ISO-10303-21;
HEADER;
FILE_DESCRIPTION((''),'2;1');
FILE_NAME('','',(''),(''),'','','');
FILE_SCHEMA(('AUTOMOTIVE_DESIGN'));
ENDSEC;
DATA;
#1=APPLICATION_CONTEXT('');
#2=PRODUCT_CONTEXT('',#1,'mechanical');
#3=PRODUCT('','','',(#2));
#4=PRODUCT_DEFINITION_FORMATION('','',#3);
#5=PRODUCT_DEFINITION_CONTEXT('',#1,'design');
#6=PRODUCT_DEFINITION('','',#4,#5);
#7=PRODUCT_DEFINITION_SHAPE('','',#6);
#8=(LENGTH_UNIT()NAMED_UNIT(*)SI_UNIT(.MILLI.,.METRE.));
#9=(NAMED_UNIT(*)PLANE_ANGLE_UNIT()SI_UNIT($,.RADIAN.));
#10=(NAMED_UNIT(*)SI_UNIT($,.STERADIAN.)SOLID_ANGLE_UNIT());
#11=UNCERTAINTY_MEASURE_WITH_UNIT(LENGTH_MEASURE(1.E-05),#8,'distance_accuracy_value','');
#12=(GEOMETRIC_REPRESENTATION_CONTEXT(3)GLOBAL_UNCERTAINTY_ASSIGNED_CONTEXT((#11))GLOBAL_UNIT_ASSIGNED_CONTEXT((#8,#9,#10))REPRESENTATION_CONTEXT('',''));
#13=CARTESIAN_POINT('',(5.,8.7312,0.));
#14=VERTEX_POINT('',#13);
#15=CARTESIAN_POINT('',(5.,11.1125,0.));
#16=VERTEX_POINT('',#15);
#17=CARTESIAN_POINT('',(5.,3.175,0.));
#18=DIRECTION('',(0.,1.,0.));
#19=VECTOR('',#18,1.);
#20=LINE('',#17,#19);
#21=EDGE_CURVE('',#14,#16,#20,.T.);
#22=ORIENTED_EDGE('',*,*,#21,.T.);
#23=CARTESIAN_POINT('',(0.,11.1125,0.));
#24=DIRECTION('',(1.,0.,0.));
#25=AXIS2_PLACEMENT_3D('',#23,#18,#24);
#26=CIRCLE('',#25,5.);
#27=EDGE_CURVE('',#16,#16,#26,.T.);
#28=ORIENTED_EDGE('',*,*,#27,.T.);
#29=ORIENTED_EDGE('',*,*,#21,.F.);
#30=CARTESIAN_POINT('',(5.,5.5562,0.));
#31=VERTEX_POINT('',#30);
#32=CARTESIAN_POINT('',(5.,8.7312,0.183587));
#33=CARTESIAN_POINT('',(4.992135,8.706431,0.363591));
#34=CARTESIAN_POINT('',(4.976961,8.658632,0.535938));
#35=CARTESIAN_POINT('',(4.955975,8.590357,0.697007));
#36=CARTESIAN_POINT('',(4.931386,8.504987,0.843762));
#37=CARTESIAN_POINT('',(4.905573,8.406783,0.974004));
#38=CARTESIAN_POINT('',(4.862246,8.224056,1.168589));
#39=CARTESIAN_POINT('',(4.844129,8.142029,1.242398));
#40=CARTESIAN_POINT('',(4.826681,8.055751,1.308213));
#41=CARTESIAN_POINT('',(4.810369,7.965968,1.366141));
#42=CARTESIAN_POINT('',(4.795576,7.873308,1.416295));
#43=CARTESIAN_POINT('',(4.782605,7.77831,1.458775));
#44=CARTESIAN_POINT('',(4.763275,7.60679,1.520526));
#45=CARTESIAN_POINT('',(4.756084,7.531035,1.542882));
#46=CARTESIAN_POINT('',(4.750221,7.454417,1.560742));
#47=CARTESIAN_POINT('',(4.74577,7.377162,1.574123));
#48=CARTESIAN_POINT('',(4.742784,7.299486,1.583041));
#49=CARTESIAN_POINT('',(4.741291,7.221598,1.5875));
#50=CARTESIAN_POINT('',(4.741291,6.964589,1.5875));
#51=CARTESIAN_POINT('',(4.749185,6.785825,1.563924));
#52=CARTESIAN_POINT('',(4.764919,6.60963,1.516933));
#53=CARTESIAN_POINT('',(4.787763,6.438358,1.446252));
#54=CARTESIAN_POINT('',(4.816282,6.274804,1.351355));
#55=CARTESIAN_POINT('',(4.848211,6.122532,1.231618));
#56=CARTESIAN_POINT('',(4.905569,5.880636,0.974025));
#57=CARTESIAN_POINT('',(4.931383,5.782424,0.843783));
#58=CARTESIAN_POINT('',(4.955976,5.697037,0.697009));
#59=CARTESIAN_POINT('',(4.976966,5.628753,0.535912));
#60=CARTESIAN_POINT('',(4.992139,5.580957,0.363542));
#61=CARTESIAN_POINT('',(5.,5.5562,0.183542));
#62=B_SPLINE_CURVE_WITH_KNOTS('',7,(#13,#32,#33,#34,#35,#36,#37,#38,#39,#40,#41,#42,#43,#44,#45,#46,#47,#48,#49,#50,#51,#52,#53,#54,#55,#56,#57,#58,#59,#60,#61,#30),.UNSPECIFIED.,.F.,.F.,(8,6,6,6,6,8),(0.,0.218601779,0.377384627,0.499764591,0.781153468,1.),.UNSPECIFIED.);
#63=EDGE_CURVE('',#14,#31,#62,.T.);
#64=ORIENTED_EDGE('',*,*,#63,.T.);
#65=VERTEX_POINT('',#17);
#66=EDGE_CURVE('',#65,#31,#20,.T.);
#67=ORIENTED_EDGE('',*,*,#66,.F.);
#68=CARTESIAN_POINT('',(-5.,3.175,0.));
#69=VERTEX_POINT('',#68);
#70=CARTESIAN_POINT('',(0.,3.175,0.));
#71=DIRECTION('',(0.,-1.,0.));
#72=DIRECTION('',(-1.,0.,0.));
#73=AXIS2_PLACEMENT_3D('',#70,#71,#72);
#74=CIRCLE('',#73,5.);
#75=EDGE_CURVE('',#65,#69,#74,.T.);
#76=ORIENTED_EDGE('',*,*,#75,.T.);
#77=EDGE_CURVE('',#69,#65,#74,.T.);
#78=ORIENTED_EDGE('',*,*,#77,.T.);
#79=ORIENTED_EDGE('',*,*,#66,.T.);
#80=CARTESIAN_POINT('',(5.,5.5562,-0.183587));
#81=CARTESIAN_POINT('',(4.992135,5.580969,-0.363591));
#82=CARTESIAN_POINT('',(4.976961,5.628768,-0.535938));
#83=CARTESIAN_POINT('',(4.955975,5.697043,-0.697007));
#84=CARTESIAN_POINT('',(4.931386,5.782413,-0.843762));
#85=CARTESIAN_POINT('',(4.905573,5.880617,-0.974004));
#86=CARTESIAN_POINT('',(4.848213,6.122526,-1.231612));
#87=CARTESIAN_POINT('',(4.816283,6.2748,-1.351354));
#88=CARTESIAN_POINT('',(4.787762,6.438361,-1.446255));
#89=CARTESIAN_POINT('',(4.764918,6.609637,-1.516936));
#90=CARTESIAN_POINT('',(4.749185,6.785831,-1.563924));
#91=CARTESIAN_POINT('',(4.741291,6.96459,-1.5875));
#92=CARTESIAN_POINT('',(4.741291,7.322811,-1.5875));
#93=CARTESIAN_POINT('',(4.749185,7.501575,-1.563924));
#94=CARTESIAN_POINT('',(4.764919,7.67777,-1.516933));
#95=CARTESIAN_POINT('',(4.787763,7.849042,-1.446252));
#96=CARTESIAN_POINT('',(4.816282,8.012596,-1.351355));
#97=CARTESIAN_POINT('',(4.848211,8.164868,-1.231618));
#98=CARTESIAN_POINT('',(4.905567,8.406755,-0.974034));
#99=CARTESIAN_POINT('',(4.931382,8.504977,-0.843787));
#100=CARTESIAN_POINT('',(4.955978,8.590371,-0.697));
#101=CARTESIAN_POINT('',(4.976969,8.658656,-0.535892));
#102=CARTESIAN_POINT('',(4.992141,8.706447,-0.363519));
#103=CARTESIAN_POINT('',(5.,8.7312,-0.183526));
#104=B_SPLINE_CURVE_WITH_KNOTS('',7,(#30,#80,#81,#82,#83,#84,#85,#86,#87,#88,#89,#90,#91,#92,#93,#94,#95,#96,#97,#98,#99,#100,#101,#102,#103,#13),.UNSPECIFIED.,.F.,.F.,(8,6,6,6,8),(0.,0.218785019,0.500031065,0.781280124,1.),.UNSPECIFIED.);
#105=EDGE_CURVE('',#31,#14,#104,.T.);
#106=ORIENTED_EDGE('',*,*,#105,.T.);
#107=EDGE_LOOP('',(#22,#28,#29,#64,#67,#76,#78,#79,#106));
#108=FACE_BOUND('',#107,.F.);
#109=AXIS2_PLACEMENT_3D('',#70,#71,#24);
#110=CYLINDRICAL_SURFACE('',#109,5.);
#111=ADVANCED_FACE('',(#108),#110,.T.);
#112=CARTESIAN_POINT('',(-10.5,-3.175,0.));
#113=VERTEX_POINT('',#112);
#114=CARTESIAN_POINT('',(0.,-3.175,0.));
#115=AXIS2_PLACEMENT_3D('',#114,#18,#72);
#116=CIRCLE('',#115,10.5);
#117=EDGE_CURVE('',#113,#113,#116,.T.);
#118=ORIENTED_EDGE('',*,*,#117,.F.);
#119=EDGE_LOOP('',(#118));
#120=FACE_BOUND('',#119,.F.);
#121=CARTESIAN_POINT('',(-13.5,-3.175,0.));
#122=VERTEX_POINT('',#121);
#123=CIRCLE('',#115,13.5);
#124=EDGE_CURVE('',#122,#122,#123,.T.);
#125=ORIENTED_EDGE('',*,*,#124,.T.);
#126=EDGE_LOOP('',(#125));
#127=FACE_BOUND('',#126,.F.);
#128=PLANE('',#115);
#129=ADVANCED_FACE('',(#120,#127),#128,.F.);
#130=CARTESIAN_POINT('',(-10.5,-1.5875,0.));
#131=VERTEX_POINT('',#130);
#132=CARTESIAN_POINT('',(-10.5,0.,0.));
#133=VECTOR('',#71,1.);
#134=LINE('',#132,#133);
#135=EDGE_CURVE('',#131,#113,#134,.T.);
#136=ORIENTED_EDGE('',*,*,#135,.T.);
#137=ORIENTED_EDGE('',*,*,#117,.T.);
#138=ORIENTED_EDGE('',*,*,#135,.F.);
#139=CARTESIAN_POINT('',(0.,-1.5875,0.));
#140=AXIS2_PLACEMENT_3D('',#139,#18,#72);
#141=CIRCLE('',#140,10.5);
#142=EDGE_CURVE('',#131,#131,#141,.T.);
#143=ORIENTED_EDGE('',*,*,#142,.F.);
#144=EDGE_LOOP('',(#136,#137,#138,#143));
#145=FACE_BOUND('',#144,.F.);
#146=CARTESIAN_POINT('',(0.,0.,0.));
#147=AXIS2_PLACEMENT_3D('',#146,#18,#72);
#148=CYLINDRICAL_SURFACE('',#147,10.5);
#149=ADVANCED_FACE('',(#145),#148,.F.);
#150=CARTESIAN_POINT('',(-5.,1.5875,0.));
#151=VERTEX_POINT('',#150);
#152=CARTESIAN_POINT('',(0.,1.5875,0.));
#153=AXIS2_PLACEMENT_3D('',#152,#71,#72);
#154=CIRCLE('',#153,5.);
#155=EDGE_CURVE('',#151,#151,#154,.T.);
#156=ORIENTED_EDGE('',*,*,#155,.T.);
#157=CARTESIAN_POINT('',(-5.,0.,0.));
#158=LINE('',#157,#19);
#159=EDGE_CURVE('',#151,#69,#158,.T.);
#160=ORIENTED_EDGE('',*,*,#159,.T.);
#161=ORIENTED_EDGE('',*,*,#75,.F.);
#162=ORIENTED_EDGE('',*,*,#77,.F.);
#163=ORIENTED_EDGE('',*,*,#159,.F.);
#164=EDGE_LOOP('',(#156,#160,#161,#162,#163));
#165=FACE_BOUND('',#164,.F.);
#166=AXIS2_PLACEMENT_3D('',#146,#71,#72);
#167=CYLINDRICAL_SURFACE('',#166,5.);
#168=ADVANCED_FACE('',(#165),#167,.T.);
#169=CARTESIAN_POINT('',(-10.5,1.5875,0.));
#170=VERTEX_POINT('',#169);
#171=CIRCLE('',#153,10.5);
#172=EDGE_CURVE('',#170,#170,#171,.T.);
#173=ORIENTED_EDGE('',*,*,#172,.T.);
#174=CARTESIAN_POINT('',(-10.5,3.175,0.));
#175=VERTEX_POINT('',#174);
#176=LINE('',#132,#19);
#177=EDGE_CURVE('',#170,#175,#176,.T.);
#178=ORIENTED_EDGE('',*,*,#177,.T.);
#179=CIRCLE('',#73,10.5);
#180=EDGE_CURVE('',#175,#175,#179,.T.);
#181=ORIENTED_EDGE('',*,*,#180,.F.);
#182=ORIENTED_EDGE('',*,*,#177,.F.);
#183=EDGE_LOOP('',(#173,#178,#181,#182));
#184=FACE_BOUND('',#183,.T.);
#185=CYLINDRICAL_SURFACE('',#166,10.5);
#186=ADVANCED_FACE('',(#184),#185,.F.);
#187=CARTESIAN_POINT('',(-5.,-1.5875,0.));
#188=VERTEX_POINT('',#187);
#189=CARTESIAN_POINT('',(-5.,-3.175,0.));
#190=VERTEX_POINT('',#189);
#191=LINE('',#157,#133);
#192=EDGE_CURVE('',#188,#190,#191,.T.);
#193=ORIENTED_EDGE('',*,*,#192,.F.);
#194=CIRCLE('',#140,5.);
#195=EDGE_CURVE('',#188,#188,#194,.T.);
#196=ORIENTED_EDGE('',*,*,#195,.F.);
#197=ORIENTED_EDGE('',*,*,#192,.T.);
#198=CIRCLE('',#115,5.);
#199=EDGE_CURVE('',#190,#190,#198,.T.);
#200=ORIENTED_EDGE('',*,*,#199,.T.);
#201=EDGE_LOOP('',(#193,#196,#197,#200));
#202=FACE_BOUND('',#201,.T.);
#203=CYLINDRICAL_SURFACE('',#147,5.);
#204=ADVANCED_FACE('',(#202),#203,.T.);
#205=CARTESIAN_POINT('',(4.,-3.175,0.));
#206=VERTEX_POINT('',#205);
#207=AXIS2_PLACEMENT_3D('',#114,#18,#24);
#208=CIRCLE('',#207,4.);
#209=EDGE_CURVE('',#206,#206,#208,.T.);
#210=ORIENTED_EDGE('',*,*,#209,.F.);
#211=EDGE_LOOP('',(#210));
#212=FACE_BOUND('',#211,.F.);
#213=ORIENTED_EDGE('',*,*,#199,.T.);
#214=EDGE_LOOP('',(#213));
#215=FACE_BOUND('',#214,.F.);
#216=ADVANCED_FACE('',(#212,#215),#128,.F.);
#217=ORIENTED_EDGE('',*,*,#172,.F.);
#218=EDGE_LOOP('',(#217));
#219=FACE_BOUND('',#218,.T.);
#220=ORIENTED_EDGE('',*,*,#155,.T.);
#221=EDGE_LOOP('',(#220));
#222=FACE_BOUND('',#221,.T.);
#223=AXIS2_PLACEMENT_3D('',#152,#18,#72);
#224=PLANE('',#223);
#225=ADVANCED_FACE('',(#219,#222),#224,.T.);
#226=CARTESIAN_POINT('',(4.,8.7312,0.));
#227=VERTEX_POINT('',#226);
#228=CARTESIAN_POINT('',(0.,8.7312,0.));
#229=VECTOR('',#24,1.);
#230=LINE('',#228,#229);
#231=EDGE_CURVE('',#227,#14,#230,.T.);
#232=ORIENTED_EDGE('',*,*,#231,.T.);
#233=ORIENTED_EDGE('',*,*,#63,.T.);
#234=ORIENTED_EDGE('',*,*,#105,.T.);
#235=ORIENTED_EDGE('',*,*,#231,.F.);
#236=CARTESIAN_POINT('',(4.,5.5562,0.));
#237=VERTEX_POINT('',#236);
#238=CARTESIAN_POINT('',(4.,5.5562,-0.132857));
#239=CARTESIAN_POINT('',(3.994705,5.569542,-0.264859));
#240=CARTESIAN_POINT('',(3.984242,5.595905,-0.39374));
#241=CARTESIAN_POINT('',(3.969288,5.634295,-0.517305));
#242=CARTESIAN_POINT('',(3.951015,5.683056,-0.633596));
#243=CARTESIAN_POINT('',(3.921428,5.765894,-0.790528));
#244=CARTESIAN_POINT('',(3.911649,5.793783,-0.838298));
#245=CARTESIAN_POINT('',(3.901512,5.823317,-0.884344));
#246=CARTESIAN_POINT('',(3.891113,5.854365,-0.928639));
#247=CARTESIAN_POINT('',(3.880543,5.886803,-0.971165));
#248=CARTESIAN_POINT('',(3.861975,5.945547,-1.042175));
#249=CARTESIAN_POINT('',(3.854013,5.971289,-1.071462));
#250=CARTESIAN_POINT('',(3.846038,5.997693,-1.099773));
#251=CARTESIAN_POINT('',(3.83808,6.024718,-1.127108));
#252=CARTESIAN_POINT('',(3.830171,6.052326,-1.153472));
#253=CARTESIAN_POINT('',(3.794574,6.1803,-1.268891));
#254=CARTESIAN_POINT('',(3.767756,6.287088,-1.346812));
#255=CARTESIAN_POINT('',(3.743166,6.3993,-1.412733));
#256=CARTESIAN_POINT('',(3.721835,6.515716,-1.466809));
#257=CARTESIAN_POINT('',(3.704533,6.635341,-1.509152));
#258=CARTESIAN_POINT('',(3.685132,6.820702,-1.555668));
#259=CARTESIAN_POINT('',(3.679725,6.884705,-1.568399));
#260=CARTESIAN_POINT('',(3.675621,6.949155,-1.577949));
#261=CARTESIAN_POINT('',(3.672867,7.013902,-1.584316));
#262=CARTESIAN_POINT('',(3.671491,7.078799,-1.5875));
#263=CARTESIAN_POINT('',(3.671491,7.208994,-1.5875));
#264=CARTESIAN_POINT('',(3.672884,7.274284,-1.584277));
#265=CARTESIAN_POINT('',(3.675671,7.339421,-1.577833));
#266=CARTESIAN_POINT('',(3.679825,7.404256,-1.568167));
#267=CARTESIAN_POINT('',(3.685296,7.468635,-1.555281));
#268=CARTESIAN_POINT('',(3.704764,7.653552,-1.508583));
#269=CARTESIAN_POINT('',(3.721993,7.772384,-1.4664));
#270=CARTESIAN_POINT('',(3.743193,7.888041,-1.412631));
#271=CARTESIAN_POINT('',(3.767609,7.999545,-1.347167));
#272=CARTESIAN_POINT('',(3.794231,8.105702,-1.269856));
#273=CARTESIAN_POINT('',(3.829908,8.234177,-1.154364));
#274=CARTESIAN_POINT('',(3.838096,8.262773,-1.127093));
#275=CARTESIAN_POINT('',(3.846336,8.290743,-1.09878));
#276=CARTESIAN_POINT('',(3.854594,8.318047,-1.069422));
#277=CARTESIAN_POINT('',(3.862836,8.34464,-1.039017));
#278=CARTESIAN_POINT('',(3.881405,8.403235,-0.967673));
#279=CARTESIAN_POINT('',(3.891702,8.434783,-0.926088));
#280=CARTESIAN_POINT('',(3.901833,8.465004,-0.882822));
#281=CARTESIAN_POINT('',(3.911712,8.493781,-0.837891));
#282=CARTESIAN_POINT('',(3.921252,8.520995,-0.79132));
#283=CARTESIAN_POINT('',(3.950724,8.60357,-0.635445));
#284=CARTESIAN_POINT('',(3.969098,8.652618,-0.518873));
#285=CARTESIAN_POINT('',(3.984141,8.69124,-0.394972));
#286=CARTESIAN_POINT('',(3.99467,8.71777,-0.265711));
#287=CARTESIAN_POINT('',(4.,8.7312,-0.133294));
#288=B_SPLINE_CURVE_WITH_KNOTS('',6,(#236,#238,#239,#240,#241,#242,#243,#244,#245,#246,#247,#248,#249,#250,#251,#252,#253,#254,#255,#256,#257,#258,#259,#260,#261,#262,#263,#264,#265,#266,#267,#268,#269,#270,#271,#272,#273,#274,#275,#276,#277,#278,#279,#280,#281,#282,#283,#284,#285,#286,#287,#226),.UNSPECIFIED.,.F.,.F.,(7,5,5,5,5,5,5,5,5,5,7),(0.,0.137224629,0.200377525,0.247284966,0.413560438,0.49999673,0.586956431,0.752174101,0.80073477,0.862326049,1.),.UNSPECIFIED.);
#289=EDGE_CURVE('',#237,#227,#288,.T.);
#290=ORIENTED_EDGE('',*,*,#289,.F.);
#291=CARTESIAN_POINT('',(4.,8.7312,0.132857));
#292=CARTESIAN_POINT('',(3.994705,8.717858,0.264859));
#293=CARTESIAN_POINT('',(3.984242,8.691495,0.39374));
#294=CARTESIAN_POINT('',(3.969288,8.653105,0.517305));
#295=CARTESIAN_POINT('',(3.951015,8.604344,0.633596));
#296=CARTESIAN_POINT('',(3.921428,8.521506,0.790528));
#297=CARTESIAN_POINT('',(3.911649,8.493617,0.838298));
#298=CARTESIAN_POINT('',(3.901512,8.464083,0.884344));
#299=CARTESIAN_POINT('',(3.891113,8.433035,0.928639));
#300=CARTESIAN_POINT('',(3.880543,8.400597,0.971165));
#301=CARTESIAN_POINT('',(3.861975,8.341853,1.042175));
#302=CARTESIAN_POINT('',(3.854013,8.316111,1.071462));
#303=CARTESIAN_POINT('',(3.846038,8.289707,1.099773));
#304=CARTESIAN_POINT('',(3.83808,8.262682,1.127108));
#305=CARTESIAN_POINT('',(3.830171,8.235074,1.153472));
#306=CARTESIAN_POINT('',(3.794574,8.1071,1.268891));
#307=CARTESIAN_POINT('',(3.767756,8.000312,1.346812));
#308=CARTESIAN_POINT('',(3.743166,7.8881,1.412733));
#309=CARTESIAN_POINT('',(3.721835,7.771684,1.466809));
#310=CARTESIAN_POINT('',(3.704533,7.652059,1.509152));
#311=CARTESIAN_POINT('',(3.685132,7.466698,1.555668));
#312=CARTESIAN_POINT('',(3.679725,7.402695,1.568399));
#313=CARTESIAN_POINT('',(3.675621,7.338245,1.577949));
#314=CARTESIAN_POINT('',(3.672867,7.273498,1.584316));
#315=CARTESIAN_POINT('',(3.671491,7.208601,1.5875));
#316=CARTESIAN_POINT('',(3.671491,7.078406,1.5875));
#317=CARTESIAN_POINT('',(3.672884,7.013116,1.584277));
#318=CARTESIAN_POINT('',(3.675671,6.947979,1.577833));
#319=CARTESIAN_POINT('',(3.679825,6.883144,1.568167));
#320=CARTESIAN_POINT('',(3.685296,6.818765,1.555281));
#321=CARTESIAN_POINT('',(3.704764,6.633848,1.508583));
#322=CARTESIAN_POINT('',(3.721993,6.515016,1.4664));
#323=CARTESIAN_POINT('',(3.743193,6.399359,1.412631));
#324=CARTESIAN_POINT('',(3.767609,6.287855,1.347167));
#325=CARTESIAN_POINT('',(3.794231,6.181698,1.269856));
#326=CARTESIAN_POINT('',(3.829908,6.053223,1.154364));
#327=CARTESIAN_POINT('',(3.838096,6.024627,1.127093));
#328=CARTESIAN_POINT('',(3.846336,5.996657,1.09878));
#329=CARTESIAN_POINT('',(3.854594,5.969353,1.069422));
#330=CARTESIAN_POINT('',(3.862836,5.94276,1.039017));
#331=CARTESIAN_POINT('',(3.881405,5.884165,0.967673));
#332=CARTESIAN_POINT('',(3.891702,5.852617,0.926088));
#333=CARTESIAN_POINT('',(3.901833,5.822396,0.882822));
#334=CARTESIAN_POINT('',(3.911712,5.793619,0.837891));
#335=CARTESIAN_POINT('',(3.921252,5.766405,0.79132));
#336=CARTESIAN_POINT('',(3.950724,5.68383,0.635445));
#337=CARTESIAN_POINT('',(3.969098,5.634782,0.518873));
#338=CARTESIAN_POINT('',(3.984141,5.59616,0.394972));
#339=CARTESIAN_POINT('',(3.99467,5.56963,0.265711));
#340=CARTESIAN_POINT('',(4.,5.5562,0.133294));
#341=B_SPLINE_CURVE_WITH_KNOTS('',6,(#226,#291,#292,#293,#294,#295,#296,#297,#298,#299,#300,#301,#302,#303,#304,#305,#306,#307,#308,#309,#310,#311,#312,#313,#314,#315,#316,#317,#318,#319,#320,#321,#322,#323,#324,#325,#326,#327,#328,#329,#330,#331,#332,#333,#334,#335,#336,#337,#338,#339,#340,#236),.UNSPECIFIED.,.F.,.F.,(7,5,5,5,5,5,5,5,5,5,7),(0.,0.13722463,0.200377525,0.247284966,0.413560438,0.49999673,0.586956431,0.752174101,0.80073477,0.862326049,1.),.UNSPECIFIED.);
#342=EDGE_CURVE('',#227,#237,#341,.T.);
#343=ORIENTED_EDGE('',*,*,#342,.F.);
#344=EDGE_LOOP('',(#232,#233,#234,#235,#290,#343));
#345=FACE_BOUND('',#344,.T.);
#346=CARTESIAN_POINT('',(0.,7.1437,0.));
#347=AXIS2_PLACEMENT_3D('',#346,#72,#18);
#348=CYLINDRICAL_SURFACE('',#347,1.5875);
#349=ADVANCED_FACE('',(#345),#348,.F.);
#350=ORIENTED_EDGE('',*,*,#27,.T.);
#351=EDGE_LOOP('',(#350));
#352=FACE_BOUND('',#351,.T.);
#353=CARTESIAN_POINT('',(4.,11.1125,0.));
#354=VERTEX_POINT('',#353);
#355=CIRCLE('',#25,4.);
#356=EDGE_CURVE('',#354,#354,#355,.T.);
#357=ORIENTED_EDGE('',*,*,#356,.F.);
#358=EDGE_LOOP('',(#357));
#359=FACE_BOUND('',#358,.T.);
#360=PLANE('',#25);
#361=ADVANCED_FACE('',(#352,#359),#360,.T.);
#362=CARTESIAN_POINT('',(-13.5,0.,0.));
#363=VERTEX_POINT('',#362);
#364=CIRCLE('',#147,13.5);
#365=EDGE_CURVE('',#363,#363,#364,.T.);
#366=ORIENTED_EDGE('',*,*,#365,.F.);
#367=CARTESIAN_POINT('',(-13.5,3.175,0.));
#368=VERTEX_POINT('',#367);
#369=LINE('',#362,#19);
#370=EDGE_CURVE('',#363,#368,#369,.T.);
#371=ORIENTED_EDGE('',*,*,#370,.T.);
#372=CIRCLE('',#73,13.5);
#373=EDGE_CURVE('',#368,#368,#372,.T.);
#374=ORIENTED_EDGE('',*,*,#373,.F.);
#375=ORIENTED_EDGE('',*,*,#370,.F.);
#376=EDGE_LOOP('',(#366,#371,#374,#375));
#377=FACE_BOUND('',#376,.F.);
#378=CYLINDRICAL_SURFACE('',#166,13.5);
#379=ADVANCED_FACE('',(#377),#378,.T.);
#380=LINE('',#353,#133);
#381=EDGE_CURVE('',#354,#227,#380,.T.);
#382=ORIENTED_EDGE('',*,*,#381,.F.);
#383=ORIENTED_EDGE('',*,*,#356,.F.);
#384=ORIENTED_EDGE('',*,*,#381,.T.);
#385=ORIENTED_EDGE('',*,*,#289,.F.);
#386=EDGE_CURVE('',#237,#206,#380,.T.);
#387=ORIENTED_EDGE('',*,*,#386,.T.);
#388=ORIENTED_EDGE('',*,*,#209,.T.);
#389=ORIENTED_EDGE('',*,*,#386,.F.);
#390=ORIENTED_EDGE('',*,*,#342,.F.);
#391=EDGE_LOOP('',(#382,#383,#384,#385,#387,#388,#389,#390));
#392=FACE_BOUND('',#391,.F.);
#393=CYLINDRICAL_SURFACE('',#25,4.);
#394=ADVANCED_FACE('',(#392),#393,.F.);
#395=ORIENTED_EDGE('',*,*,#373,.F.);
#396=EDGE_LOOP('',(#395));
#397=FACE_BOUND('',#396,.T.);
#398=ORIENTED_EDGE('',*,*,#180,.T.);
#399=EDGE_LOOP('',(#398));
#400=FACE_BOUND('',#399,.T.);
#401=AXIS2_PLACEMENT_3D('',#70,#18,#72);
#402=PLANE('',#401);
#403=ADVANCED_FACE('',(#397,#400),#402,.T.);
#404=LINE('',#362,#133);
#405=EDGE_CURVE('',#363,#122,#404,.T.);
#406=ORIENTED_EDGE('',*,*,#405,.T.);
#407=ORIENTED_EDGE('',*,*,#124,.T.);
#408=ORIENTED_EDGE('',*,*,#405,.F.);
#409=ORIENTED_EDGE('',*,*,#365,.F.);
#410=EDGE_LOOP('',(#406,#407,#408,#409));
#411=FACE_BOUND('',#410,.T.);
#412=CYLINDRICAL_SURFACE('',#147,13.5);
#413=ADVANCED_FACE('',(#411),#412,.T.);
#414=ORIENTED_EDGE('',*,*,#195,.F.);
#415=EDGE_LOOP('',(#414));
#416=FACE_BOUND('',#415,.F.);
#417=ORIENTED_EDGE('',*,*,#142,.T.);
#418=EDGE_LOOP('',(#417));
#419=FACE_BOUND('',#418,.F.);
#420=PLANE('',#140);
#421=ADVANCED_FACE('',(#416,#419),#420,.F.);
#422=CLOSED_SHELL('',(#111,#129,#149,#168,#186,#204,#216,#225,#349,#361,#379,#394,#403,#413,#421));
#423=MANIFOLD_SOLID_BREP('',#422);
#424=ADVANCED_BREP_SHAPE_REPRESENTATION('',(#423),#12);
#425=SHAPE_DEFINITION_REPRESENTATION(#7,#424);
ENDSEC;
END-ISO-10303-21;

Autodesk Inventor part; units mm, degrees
ref_plane "YZ Plane" through (0, 0, 0) normal (1, 0, 0) x (0, 1, 0)
ref_plane "XZ Plane" through (0, 0, 0) normal (0, 1, 0) x (-1, 0, 0)
ref_plane "XY Plane" through (0, 0, 0) normal (0, 0, 1) x (1, 0, 0)
sketch "Sketch1" plane through (0, 0, 0) normal (0, 1, 0) x (-1, 0, 0)
  circle A0 centre (0, 0) radius 5
  circle A1 centre (0, 0) radius 10.5
  circle A2 centre (0, 0) radius 13.5
  line L0 (0, -18.9) -> (0, 18.9) projected
  line L1 (-18.9, 0) -> (18.9, 0) projected
  dimension "d0" = 10
  dimension "d1" = 21
  dimension "d2" = 27
extrude "Extrusion1" add sketch "Sketch1" along normal mid plane 6.35 contours L1 A2 L0 A1 | A1 L0 A2 L1 | A1 L1 A2 L0 | L0 A2 L1 A1
extrude "Extrusion2" add sketch "Sketch1" along normal mid plane 3.175 contours L1 A1 L0 A0 | A0 L0 A1 L1 | A0 L1 A1 L0 | L0 A1 L1 A0
extrude "Extrusion3" add sketch "Sketch1" along normal mid plane 6.35 contours L1 L0 A0 | A0 L0 L1 | L0 L1 A0 | A0 L1 L0
sketch "Sketch2" plane through (0, 3.175, 0) normal (0, 1, 0) x (1, 0, 0)
  circle A0 centre (0, 0) radius 5 projected
extrude "Extrusion4" add sketch "Sketch2" along normal blind 7.9375
sketch "Sketch3" plane through (0, 11.1125, 0) normal (0, 1, 0) x (1, 0, 0)
  circle A0 centre (0, 0) radius 4
  dimension "d11" = 8
extrude "Extrusion5" cut sketch "Sketch3" against normal up to next
sketch "Sketch4" plane through (0, 0, 0) normal (1, 0, 0) x (0, 1, 0)
  circle A0 centre (7.1437, 0) radius 1.5875
  line L0 (11.1125, 4) -> (11.1125, -4) projected
  line L1 (3.175, 10.5) -> (3.175, -10.5) projected
  line L2 (3.175, -13.5) -> (3.175, 13.5) construction
  line L3 (3.175, -4) -> (11.1125, -4) construction
  line L4 (11.1125, -4) -> (-3.175, -4) construction
  line L5 (7.1437, -4) -> (7.1437, 4) construction
  line L6 (11.1125, 4) -> (-3.175, 4) construction
  line L7 (-6.0325, 0) -> (13.97, 0) construction
  point P0 (0, 0)
  dimension "d14" = 3.175
extrude "Extrusion6" cut sketch "Sketch4" along normal up to surface
properties part number "Spur Gear" material "Brass, Soft Yellow"
